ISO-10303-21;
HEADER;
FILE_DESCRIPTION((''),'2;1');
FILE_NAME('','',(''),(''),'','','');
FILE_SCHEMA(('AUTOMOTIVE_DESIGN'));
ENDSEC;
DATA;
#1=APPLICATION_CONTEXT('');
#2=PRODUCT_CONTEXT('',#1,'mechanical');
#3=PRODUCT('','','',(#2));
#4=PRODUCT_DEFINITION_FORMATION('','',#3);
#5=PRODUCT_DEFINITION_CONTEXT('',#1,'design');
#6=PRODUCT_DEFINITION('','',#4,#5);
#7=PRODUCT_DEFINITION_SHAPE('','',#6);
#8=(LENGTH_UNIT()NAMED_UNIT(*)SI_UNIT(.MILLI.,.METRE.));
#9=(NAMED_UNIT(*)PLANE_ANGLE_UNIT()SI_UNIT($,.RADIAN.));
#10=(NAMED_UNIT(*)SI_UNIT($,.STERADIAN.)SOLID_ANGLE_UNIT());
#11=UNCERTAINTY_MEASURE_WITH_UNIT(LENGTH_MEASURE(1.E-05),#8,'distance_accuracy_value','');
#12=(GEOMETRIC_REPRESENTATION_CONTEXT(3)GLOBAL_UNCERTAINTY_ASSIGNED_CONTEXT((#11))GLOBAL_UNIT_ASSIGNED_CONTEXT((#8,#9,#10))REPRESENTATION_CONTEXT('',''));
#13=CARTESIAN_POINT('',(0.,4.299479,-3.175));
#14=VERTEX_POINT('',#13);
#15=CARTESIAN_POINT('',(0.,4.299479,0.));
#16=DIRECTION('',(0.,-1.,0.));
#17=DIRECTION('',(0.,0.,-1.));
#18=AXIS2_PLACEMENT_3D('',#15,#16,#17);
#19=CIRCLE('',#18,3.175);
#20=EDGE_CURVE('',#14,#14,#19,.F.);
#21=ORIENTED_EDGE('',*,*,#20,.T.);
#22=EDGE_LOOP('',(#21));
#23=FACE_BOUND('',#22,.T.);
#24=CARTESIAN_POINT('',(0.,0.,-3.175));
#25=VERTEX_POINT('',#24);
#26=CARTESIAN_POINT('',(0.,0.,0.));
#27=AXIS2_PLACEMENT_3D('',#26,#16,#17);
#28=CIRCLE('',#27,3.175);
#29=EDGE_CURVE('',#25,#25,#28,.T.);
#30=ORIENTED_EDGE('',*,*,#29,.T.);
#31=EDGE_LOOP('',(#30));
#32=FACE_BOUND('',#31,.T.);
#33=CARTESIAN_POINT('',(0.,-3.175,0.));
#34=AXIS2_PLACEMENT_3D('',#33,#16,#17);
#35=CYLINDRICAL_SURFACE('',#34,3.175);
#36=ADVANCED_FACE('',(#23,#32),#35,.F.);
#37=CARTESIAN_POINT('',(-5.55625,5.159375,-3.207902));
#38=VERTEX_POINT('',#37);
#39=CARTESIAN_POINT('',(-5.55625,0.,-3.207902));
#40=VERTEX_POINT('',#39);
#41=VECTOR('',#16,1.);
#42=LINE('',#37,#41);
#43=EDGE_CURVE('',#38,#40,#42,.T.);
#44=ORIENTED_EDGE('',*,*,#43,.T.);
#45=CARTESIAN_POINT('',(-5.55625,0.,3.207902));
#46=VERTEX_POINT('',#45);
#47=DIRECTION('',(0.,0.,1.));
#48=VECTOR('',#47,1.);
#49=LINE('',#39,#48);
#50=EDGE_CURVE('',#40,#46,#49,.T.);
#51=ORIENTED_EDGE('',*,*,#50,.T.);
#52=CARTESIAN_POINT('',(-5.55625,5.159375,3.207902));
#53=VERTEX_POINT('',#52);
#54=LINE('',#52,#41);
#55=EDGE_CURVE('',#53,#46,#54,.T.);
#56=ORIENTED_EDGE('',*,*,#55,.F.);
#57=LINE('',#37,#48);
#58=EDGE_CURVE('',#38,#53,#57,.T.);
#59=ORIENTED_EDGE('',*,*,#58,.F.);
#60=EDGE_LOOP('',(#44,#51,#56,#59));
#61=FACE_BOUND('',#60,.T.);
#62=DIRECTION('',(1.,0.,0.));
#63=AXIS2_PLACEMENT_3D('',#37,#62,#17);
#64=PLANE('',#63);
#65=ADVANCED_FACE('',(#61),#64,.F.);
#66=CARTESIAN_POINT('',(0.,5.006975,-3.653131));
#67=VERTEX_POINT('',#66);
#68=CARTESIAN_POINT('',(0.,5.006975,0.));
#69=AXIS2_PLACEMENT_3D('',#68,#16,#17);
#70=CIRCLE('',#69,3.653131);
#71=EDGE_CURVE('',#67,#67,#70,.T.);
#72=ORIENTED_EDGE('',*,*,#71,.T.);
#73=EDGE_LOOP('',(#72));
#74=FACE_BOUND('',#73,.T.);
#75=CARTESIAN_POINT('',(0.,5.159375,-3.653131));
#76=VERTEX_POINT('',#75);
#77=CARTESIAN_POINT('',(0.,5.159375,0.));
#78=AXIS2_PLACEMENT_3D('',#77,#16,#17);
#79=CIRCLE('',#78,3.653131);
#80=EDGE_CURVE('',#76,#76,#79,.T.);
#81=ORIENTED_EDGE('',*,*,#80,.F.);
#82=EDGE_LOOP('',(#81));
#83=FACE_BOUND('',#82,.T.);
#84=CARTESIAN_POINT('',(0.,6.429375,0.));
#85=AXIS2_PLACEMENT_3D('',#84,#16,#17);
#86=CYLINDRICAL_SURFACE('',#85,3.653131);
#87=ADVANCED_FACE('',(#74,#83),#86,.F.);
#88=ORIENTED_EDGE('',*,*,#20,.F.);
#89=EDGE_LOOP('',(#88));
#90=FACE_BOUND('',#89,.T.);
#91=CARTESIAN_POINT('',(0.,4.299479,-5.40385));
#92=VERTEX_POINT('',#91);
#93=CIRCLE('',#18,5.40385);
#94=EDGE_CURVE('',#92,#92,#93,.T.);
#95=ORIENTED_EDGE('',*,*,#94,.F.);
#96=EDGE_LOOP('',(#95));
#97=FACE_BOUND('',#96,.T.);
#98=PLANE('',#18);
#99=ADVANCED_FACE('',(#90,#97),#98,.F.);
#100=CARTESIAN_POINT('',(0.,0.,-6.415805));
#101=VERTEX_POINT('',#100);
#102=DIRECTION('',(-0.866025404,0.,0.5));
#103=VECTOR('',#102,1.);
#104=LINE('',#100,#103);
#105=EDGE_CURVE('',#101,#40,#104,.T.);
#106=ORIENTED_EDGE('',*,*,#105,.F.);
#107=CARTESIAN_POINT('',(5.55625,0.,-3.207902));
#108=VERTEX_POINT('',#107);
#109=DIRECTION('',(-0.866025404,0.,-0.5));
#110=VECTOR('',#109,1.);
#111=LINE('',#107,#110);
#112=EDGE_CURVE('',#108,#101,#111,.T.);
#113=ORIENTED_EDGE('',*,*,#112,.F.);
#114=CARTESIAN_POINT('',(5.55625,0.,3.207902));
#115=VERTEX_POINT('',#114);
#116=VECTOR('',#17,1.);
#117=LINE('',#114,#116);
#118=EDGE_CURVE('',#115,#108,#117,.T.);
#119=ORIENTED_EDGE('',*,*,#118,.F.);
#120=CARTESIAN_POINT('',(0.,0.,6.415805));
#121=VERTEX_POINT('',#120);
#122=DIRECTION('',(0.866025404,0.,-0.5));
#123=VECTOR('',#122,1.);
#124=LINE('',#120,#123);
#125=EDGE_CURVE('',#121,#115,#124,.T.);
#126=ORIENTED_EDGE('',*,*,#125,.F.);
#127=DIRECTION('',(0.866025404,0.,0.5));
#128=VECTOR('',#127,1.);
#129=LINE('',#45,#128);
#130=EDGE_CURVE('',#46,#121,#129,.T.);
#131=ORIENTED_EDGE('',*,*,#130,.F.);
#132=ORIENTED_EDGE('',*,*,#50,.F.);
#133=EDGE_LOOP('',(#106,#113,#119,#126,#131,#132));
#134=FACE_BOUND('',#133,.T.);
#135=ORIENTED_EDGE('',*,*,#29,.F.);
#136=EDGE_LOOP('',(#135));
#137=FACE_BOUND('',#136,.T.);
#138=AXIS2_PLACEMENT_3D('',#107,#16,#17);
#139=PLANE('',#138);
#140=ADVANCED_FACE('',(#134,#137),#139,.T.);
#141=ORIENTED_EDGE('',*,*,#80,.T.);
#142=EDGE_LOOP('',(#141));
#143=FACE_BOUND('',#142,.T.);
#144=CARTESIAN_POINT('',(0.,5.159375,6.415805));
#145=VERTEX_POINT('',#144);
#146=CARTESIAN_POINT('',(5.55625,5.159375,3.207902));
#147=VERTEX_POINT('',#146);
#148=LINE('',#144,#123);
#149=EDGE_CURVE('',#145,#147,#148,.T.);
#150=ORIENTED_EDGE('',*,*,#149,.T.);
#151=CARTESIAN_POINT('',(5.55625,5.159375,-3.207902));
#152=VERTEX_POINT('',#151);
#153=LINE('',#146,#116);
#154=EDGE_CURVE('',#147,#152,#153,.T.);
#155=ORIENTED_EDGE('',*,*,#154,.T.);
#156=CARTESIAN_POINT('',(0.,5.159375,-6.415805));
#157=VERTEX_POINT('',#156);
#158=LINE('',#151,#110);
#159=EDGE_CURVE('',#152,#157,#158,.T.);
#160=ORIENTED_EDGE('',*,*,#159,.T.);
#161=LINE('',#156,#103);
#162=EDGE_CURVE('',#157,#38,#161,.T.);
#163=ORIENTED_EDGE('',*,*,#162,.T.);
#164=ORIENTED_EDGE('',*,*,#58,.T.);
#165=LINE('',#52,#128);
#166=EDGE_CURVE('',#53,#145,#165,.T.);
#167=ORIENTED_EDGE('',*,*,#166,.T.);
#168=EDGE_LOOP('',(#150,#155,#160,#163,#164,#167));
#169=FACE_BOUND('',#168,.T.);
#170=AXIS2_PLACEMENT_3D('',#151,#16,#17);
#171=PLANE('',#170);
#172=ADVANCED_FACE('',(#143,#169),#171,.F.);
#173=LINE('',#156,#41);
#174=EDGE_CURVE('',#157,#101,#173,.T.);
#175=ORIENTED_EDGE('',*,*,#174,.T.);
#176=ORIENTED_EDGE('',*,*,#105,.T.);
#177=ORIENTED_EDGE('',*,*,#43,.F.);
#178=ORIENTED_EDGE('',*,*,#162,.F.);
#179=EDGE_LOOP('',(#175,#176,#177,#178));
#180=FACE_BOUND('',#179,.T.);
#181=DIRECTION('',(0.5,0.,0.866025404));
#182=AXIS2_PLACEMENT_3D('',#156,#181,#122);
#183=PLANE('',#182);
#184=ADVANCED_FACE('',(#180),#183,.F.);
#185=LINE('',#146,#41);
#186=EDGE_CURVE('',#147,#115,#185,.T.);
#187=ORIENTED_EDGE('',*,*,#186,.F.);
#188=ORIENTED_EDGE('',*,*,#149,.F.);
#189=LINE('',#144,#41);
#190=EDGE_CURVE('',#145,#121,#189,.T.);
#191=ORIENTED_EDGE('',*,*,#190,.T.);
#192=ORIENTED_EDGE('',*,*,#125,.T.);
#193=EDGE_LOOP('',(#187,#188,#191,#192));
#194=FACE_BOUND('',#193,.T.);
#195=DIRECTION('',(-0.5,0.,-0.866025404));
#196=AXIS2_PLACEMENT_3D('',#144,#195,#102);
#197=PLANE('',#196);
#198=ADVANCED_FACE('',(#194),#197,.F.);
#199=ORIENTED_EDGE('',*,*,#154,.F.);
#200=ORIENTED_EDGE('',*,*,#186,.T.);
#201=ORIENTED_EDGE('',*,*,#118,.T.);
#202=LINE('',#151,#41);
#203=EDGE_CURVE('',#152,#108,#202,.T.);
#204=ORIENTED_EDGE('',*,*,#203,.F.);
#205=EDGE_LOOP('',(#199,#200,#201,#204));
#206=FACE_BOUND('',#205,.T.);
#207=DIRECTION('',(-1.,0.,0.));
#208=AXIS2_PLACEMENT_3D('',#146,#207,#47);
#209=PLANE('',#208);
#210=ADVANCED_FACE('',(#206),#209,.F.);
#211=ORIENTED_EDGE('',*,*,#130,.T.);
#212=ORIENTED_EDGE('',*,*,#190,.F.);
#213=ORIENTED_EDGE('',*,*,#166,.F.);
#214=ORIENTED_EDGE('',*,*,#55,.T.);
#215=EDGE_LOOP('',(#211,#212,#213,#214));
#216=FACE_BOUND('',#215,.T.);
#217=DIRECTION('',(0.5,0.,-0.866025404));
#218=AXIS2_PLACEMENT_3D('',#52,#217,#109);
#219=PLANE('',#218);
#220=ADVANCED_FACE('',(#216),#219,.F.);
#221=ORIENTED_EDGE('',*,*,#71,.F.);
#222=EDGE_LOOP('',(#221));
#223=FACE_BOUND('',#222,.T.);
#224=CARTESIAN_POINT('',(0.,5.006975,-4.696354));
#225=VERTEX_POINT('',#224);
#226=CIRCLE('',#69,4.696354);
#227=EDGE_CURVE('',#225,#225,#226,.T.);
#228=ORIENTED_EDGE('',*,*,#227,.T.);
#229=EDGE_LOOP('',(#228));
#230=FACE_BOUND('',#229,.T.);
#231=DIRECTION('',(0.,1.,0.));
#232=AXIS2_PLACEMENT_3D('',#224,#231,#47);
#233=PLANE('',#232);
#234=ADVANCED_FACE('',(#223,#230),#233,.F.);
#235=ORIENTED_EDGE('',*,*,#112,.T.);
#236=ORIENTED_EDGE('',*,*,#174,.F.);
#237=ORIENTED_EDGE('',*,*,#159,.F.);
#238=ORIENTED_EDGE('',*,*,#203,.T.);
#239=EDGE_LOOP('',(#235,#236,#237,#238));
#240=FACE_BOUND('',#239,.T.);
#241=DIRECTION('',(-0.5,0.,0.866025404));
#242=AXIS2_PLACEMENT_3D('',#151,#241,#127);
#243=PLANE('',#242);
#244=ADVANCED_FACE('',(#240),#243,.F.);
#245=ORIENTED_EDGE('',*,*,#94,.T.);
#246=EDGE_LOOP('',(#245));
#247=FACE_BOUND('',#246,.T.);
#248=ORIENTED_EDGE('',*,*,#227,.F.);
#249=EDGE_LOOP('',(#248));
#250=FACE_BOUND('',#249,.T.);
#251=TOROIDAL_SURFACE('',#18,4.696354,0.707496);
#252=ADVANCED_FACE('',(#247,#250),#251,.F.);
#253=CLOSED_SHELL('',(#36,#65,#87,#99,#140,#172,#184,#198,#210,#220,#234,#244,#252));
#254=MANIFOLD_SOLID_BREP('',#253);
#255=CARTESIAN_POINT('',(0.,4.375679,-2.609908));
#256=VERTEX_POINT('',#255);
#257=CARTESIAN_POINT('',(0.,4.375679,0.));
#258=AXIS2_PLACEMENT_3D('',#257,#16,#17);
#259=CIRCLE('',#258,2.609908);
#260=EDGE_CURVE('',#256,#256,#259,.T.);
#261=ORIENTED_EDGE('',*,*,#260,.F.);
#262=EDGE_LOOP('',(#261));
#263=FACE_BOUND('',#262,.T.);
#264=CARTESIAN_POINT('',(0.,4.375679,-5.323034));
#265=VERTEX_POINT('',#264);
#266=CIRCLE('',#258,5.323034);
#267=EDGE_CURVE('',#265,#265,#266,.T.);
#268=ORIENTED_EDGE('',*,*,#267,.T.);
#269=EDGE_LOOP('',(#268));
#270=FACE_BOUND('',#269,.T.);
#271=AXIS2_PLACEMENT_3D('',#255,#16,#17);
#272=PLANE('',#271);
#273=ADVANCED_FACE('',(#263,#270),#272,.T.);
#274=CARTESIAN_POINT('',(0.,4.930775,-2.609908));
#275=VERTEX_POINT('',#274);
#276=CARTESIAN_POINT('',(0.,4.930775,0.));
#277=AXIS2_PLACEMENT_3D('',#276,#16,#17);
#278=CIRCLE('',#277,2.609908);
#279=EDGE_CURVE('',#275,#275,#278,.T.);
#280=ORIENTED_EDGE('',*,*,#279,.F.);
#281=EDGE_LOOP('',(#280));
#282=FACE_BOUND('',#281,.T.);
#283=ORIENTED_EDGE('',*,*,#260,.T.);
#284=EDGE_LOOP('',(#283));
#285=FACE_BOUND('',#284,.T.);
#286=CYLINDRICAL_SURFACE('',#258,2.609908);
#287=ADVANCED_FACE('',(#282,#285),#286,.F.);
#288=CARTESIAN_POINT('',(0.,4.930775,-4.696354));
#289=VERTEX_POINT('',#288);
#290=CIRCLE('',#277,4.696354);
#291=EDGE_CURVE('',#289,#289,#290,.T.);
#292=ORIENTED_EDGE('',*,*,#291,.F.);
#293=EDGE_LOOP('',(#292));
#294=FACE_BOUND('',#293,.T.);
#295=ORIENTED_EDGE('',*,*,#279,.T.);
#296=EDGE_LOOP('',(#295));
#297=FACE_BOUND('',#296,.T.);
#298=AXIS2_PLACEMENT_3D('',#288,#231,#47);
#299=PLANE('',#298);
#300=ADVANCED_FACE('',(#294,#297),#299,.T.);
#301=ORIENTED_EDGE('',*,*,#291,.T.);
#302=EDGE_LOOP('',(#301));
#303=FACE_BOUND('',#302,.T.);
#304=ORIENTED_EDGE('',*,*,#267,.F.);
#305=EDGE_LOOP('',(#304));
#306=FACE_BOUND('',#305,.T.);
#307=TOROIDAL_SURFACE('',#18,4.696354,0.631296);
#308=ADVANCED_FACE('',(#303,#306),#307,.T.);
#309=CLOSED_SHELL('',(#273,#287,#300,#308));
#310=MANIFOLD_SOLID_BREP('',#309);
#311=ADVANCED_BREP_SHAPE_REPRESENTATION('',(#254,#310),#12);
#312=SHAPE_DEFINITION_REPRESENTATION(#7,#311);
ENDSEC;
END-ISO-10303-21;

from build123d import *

# Parameters (mm, degrees)
EXTRUDE1_DEPTH = 5.159375
SKETCH2_W      = 3.175
SKETCH2_H      = 5.159375


with BuildPart() as part:
    # Sketch1 → Extrude1 (new body)
    with BuildSketch(Plane(origin=(0, 0, 0), x_dir=(1, 0, 0), z_dir=(0, 1, 0))):
        Polygon((0, 6.415804866), (-5.55625, 3.207902433), (-5.55625, -3.207902433), (0, -6.415804866), (5.55625, -3.207902433), (5.55625, 3.207902433), align=None)
    extrude(amount=EXTRUDE1_DEPTH)

    # Sketch4 → Cut-Revolve2 (revolve, cut)
    with BuildSketch(Plane(origin=(0, 0, 0), x_dir=(0, 0, -1), z_dir=(1, 0, 0))):
        Polygon((0, 5.159375), (3.175, 5.159375), (2.609908356, 4.895868439), (2.609908356, 0.263506561), (3.175, 0), (0, 0), align=None)
    revolve(axis=Axis((0, 5.159375, 0), (0, 1, 0)), mode=Mode.SUBTRACT)


with BuildPart() as body_2:
    # Sketch2 → Revolve1 (revolve)
    with BuildSketch(Plane(origin=(0, 0, 0), x_dir=(0, 0, -1), z_dir=(1, 0, 0))):
        with Locations((1.5875, 2.5796875)):
            Rectangle(SKETCH2_W, SKETCH2_H)
    revolve(axis=Axis((0, -3.175, 0), (0, 1, 0)))


with BuildPart() as part_1:
    add(part.part)

    # Combine1: cut body 2
    add(body_2.part, mode=Mode.SUBTRACT)

    # Sketch6 → Cut-Revolve4 (revolve, cut)
    with BuildSketch(Plane(origin=(0, 0, 0), x_dir=(0, 0, -1), z_dir=(1, 0, 0))):
        with BuildLine():
            Line((0, 4.299479167), (5.40385, 4.299479167))
            ThreePointArc((5.40385, 4.299479167), (5.196629268, 4.799754268), (4.696354167, 5.006975))
            Line((4.696354167, 5.006975), (3.653131261, 5.006975))
            Line((3.653131261, 5.006975), (3.653131261, 6.429375))
            Line((3.653131261, 6.429375), (0, 6.429375))
            Line((0, 6.429375), (0, 4.299479167))
        make_face()
    revolve(axis=Axis((0, 6.429375, 0), (0, 1, 0)), mode=Mode.SUBTRACT)


with BuildPart() as body_2_2:
    # Sketch7 → Revolve2 (revolve)
    with BuildSketch(Plane(origin=(0, 0, 0), x_dir=(0, 0, -1), z_dir=(1, 0, 0))):
        with BuildLine():
            Line((2.609908356, 4.375679167), (5.3230343, 4.375679167))
            ThreePointArc((5.3230343, 4.375679167), (5.114940888, 4.772046184), (4.696354167, 4.930775))
            Line((4.696354167, 4.930775), (2.609908356, 4.930775))
            Line((2.609908356, 4.930775), (2.609908356, 4.375679167))
        make_face()
    revolve(axis=Axis((0, 4.375679167, 0), (0, 1, 0)))


solid = Compound([part_1.part, body_2_2.part])
